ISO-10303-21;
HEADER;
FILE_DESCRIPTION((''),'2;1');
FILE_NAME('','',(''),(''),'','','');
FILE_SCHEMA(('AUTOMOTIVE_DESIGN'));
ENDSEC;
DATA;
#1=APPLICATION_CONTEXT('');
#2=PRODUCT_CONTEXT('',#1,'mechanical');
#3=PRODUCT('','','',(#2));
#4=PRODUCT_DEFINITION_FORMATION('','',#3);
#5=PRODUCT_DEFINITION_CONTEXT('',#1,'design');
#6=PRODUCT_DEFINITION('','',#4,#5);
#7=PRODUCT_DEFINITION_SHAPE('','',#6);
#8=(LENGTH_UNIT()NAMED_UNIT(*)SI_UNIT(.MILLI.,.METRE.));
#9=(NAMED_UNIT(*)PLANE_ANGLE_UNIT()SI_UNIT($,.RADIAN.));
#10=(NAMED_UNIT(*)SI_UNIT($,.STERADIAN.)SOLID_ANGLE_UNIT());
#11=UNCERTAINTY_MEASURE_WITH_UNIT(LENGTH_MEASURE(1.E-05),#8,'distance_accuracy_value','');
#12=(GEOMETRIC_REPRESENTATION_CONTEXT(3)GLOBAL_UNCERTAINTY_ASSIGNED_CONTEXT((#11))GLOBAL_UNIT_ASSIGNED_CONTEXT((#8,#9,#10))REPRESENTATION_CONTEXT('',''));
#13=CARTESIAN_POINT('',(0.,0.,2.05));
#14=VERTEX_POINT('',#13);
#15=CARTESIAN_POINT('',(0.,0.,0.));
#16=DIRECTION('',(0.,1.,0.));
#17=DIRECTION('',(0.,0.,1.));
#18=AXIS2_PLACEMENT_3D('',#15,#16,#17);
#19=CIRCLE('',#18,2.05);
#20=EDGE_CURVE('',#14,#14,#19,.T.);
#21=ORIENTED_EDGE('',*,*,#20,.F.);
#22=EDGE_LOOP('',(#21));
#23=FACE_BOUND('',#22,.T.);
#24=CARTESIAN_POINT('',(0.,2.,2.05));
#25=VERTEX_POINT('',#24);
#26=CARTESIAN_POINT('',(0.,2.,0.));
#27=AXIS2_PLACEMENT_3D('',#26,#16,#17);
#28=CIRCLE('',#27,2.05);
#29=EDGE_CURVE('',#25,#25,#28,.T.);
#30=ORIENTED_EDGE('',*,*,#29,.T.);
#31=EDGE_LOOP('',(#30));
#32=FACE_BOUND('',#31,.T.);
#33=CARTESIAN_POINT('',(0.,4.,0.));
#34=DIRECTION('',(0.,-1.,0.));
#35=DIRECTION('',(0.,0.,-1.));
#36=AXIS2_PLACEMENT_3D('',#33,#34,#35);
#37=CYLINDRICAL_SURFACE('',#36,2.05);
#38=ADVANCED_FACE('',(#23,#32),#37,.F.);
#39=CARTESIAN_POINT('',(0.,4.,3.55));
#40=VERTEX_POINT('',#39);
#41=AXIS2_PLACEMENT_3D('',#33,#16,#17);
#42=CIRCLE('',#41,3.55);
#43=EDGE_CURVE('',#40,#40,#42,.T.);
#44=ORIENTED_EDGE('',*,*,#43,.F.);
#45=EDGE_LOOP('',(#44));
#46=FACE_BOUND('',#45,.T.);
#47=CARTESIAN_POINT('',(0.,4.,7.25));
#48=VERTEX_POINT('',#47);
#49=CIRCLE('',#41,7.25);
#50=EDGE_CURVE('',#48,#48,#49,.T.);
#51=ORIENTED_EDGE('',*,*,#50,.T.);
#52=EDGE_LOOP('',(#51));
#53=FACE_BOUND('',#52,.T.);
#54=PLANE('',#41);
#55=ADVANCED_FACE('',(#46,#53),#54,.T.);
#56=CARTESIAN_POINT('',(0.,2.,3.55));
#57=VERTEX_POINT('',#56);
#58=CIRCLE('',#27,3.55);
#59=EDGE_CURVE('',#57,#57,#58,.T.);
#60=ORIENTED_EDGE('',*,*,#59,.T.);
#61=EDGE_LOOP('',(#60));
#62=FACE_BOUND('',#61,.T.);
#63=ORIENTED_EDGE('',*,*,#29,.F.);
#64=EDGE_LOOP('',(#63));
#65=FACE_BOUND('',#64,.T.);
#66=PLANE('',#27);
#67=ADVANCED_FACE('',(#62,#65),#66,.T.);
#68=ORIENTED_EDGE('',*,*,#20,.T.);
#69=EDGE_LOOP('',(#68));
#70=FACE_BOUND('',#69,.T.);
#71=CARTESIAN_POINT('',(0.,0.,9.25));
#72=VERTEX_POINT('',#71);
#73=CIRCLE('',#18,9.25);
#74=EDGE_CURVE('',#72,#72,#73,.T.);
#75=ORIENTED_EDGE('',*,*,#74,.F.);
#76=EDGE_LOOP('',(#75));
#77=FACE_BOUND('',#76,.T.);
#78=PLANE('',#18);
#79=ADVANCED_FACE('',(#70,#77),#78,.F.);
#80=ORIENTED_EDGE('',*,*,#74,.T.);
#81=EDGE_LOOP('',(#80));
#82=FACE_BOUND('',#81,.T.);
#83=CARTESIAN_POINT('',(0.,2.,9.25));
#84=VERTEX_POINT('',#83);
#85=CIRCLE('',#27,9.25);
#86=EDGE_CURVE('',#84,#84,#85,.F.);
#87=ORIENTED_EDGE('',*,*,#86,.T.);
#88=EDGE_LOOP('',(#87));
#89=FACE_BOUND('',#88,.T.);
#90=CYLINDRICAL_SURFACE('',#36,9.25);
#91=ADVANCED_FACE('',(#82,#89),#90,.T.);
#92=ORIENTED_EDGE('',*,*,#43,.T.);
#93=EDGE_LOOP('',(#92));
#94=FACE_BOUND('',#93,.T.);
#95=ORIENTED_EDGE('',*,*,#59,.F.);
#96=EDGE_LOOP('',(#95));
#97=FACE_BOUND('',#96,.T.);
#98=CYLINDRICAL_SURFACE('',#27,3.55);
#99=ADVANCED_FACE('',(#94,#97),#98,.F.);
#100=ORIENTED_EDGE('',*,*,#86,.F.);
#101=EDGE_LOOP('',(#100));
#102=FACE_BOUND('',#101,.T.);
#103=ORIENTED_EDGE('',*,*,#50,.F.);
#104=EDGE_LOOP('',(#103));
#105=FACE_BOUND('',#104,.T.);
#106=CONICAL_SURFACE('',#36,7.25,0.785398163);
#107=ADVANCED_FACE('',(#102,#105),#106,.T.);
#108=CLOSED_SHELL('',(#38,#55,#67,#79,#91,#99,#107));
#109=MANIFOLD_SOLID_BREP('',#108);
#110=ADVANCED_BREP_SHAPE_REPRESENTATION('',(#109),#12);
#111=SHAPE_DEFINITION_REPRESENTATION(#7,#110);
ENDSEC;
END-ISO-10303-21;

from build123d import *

# Parameters (mm, degrees)
SKETCH1_R           = 9.25
SKETCH1_R_2         = 2.05
BOSS_EXTRUDE1_DEPTH = 4
SKETCH2_R           = 3.55
CUT_EXTRUDE1_DEPTH  = 2
CHAMFER1_SIZE       = 2


with BuildPart() as part:
    # Sketch1 → Boss-Extrude1 (new body)
    with BuildSketch(Plane(origin=(0, 0, 0), x_dir=(1, 0, 0), z_dir=(0, 1, 0))):
        with Locations(Location((0, 0, 0), (0, 0, 270))):
            Circle(SKETCH1_R)
        with Locations(Location((0, 0, 0), (0, 0, 270))):
            Circle(SKETCH1_R_2, mode=Mode.SUBTRACT)
    extrude(amount=BOSS_EXTRUDE1_DEPTH)

    # Sketch2 → Cut-Extrude1 (cut)
    with BuildSketch(Plane(origin=(0, 4, 0), x_dir=(1, 0, 0), z_dir=(0, 1, 0))):
        with Locations(Location((0, 0, 0), (0, 0, 270))):
            Circle(SKETCH2_R)
    extrude(amount=-CUT_EXTRUDE1_DEPTH, mode=Mode.SUBTRACT)

    # Chamfer1
    chamfer1_edges = [part.edges().sort_by_distance(p)[0] for p in [
        (0, 4, -9.25),
    ]]
    chamfer(chamfer1_edges, length=CHAMFER1_SIZE)


solid = part.part
